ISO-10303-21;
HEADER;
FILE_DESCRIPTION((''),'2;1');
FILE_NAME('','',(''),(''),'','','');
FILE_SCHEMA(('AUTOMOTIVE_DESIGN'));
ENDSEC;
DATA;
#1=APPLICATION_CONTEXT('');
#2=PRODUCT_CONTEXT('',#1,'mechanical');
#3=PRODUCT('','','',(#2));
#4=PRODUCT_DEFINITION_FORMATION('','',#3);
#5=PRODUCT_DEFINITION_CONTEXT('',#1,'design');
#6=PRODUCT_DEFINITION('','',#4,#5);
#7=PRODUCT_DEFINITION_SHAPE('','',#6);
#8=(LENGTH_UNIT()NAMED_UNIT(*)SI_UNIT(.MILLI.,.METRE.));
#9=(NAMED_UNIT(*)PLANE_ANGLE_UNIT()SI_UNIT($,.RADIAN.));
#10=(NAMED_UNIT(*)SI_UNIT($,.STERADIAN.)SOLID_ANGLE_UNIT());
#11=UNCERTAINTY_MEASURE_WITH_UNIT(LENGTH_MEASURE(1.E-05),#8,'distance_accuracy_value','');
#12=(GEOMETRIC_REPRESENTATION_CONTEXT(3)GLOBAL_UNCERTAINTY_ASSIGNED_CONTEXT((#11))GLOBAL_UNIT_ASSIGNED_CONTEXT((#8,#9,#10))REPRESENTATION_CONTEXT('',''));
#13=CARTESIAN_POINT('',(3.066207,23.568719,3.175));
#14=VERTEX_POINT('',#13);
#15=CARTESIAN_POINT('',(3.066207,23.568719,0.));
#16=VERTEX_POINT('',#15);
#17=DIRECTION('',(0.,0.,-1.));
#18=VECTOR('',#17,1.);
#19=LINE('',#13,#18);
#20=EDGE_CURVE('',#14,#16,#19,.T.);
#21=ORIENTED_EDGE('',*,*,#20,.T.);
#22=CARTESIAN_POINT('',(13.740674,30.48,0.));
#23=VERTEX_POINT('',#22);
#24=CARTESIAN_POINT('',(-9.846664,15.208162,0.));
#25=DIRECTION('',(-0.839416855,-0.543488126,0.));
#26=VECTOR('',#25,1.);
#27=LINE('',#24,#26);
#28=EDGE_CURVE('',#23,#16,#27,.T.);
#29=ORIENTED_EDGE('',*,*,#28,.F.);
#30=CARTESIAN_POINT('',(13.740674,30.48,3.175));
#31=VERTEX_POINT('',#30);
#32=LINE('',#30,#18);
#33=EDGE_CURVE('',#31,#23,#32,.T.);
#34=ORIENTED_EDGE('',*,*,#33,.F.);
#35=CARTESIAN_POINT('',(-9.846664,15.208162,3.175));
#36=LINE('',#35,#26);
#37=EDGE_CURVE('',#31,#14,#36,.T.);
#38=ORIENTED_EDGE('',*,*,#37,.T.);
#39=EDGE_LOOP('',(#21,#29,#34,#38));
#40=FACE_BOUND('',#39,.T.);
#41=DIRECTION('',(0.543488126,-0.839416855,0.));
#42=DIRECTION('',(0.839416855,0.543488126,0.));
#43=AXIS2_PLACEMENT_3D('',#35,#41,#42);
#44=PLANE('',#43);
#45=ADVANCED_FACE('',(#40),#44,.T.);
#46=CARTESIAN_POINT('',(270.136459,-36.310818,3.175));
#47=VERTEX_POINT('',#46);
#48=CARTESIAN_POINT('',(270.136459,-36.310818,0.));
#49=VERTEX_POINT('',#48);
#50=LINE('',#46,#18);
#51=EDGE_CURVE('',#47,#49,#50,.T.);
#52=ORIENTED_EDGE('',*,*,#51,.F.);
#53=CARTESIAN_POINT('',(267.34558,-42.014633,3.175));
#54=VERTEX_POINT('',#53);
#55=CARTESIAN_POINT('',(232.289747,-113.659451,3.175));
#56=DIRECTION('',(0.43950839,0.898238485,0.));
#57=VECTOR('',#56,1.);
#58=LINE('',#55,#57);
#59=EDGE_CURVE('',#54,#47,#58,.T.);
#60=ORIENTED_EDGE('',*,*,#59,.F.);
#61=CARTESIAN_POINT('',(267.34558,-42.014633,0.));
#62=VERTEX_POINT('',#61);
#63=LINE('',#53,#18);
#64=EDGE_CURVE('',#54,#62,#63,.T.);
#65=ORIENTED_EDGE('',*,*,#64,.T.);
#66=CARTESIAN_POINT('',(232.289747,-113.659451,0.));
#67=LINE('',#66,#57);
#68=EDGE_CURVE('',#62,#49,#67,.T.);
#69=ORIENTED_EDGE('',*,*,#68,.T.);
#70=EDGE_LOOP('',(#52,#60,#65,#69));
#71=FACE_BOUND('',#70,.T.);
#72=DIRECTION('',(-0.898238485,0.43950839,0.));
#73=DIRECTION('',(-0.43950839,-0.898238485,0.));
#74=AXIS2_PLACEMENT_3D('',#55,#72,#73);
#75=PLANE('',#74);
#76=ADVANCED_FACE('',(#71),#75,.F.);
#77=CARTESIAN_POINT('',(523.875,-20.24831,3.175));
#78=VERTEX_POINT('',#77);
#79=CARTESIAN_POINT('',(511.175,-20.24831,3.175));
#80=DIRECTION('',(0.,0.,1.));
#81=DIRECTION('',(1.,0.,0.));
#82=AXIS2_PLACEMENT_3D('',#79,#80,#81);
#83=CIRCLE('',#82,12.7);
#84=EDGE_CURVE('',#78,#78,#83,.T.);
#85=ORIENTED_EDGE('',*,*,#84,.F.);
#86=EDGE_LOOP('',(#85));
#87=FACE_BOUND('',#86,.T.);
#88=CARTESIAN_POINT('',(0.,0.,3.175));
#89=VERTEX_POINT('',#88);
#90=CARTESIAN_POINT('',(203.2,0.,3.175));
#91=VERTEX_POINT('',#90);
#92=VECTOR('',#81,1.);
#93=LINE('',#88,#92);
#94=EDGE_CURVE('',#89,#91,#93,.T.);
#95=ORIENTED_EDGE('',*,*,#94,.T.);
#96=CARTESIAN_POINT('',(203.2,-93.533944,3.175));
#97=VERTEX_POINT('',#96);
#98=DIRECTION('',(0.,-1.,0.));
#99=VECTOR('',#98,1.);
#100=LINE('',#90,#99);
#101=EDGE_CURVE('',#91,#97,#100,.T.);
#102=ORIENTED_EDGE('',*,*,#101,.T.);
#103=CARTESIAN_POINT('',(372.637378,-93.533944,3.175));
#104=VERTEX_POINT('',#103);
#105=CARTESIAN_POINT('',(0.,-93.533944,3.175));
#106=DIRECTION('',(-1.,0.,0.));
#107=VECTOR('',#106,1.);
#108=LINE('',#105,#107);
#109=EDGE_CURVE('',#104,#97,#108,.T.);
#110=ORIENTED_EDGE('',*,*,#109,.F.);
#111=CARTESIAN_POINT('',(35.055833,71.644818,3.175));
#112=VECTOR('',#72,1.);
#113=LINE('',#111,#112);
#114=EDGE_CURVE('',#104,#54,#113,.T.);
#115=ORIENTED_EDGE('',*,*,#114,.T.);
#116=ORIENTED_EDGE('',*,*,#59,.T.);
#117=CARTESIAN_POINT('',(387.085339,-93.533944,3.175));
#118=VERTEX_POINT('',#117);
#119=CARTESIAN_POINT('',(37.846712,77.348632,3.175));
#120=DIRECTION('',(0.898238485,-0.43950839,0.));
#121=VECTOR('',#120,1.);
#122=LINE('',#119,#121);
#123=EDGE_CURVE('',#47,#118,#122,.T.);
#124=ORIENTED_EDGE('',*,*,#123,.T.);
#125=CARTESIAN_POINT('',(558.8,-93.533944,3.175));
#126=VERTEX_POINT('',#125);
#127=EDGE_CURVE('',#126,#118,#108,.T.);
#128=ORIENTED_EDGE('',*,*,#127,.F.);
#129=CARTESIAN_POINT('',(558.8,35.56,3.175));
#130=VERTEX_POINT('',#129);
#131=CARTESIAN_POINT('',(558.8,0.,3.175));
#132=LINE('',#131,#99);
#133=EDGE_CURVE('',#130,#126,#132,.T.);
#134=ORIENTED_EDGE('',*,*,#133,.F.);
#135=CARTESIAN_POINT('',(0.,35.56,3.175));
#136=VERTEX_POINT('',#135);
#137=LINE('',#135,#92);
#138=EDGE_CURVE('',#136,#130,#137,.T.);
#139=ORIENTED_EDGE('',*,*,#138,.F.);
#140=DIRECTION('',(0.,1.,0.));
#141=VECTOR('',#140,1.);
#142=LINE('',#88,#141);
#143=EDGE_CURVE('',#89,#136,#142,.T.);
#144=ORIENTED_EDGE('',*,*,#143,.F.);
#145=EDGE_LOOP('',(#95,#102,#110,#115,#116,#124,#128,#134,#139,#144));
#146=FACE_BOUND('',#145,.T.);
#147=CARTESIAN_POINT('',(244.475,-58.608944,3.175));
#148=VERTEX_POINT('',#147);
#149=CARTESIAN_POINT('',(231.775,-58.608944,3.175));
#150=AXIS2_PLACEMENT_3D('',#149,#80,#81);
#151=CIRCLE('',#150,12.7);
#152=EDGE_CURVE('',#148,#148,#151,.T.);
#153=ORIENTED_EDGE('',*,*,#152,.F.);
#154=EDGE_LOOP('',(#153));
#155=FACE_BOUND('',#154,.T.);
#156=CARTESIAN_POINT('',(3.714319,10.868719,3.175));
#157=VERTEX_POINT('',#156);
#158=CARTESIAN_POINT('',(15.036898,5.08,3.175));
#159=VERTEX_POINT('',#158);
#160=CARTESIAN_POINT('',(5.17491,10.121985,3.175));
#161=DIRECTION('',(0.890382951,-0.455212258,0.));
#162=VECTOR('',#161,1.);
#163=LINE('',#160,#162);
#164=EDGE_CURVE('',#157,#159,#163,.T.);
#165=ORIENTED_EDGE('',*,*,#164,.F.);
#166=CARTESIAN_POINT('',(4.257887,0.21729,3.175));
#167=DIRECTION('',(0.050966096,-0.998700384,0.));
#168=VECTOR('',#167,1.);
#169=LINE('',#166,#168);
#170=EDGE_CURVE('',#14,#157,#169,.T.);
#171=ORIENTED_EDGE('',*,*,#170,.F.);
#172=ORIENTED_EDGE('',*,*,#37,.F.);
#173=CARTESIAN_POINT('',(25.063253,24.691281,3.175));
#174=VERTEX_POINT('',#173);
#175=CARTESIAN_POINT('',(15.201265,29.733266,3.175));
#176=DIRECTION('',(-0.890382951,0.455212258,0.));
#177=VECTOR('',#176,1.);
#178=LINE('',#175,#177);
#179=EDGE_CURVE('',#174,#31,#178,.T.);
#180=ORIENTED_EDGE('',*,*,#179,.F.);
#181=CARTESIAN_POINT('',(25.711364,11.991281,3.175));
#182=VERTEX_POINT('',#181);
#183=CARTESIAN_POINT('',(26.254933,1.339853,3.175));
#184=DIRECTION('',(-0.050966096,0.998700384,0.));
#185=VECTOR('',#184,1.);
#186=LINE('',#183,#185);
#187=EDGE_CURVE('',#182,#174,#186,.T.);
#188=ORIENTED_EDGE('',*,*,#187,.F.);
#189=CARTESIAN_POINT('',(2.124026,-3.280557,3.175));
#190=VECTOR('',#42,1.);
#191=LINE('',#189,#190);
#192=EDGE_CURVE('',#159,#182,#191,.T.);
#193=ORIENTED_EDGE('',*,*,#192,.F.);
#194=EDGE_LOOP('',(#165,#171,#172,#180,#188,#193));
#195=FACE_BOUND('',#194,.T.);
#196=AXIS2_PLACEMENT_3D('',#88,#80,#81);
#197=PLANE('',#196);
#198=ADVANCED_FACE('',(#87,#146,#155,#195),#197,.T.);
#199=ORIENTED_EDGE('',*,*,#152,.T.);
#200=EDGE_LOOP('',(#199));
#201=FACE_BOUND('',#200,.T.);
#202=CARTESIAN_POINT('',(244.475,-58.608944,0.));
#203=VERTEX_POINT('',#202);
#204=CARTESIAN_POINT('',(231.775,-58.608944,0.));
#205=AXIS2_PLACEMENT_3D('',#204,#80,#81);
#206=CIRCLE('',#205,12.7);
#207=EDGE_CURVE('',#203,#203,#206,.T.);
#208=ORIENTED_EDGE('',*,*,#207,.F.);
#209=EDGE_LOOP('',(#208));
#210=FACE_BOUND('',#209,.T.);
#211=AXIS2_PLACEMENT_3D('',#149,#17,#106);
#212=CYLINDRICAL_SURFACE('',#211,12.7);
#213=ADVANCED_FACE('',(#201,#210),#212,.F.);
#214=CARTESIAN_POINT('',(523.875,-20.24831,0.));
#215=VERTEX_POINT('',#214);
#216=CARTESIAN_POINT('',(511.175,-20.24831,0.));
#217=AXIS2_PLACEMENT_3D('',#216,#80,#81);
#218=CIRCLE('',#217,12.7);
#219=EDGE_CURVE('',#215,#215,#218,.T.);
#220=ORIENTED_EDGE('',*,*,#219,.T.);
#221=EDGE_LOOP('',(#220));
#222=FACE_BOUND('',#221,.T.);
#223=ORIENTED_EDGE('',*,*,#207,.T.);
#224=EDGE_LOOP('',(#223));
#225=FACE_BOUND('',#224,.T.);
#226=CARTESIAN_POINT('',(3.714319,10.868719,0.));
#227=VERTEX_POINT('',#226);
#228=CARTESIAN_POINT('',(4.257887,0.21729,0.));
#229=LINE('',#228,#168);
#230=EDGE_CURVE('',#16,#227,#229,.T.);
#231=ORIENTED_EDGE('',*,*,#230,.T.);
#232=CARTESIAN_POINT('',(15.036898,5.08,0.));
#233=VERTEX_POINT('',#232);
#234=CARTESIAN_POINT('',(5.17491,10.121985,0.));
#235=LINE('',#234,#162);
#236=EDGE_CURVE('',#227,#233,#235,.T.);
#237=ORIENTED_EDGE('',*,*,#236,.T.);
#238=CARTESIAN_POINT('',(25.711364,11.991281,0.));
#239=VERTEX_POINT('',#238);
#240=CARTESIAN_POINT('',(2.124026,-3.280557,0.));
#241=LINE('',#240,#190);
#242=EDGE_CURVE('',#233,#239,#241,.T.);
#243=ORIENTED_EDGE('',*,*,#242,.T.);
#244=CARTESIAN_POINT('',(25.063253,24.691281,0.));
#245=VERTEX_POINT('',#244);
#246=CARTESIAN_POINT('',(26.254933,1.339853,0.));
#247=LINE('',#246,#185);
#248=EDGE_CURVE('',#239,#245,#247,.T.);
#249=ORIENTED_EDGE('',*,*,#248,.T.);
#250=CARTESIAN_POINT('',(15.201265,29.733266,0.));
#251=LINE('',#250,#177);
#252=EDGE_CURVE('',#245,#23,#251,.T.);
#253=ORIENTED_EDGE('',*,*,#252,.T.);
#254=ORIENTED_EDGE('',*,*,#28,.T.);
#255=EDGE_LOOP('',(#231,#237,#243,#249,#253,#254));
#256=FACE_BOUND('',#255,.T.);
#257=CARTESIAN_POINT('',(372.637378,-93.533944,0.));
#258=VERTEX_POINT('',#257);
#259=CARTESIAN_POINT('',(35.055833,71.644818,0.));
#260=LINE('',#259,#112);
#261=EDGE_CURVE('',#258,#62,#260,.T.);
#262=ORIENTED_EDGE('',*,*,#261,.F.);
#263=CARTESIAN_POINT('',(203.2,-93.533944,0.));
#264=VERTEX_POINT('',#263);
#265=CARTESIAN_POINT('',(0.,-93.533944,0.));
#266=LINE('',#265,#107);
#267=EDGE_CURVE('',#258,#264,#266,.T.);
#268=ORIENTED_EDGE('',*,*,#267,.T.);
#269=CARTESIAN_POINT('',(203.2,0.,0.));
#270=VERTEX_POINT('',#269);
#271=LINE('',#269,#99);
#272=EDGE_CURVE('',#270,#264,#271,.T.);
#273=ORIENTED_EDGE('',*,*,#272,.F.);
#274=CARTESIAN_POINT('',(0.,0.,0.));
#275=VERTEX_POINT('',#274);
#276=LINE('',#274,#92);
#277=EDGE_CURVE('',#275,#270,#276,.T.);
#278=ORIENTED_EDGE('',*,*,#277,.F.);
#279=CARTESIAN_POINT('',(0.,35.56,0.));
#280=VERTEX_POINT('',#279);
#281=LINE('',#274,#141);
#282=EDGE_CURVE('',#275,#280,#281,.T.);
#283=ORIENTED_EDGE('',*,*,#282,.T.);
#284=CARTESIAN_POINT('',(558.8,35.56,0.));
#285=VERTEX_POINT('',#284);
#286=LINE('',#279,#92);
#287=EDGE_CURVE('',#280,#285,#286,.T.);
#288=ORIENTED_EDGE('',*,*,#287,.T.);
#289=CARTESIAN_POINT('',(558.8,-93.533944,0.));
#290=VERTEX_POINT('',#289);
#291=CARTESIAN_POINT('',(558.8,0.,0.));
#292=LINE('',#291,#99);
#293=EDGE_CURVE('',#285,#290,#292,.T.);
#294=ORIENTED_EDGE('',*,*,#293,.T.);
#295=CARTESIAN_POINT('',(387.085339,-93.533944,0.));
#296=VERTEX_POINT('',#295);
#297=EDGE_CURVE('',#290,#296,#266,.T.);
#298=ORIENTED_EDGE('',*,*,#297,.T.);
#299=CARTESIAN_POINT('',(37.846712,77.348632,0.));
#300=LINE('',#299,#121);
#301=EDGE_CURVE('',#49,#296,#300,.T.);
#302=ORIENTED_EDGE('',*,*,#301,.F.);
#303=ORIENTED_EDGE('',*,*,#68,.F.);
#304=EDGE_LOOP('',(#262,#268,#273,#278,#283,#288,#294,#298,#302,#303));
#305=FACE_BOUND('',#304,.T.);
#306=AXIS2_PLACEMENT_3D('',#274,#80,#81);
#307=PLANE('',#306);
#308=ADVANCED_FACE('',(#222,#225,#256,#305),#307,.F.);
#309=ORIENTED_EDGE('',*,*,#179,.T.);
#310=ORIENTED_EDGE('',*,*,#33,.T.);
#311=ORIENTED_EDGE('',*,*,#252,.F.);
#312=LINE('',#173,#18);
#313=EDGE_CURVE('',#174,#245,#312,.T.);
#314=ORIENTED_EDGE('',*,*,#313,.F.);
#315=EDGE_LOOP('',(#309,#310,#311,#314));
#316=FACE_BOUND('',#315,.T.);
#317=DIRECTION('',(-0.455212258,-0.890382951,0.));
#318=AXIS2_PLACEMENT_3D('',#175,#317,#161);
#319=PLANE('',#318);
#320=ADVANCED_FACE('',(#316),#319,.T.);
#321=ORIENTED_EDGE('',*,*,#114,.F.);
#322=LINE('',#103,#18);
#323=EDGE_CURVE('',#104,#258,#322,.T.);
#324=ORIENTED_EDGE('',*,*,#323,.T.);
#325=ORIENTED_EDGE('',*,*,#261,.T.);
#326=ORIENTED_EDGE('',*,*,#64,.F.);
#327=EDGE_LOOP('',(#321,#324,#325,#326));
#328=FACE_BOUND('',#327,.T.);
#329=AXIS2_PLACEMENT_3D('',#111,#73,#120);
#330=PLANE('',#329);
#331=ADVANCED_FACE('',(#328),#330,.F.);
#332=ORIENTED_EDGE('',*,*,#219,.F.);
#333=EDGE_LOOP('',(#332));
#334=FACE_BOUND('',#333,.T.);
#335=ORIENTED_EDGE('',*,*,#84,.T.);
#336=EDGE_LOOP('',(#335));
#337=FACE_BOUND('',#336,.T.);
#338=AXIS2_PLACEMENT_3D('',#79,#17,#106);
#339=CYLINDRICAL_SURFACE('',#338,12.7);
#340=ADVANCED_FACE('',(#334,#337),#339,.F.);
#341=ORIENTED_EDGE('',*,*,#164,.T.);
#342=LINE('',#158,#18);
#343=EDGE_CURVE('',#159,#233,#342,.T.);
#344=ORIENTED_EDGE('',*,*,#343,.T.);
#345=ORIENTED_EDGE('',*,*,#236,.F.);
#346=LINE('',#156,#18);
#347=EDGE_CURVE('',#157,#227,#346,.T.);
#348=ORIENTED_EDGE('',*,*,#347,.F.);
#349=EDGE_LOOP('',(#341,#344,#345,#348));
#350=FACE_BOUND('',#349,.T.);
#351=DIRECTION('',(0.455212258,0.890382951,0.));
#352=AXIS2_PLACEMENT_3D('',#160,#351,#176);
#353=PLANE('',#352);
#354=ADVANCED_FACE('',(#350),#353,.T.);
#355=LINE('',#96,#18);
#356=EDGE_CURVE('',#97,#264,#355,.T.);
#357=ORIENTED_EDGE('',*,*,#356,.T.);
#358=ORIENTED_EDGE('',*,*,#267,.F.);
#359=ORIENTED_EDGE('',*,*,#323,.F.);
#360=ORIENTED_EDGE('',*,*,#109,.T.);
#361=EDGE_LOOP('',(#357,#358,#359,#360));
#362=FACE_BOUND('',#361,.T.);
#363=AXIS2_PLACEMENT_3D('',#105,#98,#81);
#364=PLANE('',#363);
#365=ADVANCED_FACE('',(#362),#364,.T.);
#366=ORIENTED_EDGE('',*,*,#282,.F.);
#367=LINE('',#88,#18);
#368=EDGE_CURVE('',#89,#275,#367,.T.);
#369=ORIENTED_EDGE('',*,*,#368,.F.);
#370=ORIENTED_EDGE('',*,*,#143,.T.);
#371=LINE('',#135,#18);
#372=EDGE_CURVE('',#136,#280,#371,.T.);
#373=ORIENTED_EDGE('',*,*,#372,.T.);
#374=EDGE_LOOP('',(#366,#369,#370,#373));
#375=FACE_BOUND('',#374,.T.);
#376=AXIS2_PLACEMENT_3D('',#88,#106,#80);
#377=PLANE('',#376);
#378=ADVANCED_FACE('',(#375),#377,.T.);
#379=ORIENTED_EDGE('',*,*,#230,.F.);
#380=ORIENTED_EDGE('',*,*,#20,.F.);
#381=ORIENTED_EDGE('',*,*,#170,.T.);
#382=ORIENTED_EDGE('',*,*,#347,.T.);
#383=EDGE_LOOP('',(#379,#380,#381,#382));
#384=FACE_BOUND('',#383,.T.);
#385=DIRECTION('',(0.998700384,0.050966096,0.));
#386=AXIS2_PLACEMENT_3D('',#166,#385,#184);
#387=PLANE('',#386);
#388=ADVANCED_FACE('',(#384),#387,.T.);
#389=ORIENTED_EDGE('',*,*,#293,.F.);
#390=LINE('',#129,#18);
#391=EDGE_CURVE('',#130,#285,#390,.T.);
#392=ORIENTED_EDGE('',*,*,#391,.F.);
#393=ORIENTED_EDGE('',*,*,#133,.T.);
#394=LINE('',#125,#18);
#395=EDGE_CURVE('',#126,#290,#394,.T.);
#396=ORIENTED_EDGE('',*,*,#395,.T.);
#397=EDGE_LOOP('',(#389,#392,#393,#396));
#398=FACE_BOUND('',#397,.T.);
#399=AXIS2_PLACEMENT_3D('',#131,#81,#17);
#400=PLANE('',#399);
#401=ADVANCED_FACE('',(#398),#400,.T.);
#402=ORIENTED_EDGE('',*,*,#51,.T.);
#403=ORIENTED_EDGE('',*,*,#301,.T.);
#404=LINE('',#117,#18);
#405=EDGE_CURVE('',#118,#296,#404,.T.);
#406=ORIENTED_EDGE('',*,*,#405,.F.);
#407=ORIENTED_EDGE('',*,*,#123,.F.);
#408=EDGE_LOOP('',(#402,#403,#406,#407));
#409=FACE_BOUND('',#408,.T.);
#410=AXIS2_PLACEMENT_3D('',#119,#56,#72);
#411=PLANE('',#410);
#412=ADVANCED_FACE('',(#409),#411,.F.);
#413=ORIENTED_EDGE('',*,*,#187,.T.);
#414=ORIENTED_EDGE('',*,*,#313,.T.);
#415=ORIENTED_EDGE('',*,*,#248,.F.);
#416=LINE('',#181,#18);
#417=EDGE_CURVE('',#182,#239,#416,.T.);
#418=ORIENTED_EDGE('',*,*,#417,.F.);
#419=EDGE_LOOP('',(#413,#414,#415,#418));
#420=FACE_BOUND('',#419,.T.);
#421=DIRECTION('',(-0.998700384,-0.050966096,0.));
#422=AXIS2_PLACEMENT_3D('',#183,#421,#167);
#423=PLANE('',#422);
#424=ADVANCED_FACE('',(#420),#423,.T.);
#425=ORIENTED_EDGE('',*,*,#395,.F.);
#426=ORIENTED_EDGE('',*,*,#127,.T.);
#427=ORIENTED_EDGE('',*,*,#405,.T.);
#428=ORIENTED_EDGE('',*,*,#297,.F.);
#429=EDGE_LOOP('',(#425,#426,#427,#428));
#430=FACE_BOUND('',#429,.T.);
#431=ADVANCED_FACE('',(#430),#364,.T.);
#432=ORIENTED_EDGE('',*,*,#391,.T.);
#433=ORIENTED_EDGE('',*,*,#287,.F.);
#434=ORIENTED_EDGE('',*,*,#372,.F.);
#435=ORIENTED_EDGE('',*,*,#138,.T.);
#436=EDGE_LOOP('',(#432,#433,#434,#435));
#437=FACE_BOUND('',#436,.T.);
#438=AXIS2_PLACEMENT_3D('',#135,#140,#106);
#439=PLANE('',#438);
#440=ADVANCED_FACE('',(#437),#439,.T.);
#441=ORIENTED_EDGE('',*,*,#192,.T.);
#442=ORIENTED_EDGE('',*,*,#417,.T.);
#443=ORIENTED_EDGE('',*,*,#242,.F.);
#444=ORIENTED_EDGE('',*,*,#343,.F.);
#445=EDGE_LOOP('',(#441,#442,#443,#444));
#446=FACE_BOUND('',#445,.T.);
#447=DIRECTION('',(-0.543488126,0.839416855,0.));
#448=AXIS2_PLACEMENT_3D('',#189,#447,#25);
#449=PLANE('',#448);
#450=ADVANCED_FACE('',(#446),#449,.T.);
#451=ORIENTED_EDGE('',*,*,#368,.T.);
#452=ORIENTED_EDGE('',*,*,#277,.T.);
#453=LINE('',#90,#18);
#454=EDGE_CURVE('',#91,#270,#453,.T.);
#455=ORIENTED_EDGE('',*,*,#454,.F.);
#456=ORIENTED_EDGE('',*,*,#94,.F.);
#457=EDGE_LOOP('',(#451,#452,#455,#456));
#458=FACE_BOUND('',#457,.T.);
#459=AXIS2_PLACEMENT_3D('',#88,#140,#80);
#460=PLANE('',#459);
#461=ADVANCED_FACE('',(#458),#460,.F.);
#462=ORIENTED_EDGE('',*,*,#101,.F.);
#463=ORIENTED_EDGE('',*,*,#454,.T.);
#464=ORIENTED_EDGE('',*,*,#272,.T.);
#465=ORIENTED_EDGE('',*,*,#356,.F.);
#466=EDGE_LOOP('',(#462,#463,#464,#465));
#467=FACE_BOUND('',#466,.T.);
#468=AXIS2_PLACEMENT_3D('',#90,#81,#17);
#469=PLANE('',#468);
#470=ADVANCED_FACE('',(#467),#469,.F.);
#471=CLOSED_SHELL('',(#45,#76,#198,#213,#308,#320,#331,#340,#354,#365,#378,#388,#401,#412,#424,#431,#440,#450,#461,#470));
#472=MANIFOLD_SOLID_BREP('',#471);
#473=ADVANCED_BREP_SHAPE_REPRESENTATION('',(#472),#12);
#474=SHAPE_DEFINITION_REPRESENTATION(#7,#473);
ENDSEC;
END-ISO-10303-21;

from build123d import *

# Parameters (mm, degrees)
SKETCH5_R           = 12.7
BOSS_EXTRUDE4_DEPTH = 3.175


with BuildPart() as part:
    # Sketch5 → Boss-Extrude4 (new body)
    with BuildSketch(Plane.XY):
        Polygon((0, 35.56), (0, 0), (203.2, 0), (203.2, -93.533944169), (372.637377726, -93.533944169), (267.345580387, -42.014632685), (270.136458661, -36.310818307), (387.085338563, -93.533944169), (558.8, -93.533944169), (558.8, 35.56), align=None)
        with Locations((231.775, -58.608944169)):
            Circle(SKETCH5_R, mode=Mode.SUBTRACT)
        Polygon((25.06325275, 24.691281209), (25.711364465, 11.991281209), (15.036897694, 5.08), (3.714319208, 10.868718791), (3.066207494, 23.568718791), (13.740674265, 30.48), align=None, mode=Mode.SUBTRACT)
        with Locations((511.175, -20.248310315)):
            Circle(SKETCH5_R, mode=Mode.SUBTRACT)
    extrude(amount=BOSS_EXTRUDE4_DEPTH)


solid = part.part
